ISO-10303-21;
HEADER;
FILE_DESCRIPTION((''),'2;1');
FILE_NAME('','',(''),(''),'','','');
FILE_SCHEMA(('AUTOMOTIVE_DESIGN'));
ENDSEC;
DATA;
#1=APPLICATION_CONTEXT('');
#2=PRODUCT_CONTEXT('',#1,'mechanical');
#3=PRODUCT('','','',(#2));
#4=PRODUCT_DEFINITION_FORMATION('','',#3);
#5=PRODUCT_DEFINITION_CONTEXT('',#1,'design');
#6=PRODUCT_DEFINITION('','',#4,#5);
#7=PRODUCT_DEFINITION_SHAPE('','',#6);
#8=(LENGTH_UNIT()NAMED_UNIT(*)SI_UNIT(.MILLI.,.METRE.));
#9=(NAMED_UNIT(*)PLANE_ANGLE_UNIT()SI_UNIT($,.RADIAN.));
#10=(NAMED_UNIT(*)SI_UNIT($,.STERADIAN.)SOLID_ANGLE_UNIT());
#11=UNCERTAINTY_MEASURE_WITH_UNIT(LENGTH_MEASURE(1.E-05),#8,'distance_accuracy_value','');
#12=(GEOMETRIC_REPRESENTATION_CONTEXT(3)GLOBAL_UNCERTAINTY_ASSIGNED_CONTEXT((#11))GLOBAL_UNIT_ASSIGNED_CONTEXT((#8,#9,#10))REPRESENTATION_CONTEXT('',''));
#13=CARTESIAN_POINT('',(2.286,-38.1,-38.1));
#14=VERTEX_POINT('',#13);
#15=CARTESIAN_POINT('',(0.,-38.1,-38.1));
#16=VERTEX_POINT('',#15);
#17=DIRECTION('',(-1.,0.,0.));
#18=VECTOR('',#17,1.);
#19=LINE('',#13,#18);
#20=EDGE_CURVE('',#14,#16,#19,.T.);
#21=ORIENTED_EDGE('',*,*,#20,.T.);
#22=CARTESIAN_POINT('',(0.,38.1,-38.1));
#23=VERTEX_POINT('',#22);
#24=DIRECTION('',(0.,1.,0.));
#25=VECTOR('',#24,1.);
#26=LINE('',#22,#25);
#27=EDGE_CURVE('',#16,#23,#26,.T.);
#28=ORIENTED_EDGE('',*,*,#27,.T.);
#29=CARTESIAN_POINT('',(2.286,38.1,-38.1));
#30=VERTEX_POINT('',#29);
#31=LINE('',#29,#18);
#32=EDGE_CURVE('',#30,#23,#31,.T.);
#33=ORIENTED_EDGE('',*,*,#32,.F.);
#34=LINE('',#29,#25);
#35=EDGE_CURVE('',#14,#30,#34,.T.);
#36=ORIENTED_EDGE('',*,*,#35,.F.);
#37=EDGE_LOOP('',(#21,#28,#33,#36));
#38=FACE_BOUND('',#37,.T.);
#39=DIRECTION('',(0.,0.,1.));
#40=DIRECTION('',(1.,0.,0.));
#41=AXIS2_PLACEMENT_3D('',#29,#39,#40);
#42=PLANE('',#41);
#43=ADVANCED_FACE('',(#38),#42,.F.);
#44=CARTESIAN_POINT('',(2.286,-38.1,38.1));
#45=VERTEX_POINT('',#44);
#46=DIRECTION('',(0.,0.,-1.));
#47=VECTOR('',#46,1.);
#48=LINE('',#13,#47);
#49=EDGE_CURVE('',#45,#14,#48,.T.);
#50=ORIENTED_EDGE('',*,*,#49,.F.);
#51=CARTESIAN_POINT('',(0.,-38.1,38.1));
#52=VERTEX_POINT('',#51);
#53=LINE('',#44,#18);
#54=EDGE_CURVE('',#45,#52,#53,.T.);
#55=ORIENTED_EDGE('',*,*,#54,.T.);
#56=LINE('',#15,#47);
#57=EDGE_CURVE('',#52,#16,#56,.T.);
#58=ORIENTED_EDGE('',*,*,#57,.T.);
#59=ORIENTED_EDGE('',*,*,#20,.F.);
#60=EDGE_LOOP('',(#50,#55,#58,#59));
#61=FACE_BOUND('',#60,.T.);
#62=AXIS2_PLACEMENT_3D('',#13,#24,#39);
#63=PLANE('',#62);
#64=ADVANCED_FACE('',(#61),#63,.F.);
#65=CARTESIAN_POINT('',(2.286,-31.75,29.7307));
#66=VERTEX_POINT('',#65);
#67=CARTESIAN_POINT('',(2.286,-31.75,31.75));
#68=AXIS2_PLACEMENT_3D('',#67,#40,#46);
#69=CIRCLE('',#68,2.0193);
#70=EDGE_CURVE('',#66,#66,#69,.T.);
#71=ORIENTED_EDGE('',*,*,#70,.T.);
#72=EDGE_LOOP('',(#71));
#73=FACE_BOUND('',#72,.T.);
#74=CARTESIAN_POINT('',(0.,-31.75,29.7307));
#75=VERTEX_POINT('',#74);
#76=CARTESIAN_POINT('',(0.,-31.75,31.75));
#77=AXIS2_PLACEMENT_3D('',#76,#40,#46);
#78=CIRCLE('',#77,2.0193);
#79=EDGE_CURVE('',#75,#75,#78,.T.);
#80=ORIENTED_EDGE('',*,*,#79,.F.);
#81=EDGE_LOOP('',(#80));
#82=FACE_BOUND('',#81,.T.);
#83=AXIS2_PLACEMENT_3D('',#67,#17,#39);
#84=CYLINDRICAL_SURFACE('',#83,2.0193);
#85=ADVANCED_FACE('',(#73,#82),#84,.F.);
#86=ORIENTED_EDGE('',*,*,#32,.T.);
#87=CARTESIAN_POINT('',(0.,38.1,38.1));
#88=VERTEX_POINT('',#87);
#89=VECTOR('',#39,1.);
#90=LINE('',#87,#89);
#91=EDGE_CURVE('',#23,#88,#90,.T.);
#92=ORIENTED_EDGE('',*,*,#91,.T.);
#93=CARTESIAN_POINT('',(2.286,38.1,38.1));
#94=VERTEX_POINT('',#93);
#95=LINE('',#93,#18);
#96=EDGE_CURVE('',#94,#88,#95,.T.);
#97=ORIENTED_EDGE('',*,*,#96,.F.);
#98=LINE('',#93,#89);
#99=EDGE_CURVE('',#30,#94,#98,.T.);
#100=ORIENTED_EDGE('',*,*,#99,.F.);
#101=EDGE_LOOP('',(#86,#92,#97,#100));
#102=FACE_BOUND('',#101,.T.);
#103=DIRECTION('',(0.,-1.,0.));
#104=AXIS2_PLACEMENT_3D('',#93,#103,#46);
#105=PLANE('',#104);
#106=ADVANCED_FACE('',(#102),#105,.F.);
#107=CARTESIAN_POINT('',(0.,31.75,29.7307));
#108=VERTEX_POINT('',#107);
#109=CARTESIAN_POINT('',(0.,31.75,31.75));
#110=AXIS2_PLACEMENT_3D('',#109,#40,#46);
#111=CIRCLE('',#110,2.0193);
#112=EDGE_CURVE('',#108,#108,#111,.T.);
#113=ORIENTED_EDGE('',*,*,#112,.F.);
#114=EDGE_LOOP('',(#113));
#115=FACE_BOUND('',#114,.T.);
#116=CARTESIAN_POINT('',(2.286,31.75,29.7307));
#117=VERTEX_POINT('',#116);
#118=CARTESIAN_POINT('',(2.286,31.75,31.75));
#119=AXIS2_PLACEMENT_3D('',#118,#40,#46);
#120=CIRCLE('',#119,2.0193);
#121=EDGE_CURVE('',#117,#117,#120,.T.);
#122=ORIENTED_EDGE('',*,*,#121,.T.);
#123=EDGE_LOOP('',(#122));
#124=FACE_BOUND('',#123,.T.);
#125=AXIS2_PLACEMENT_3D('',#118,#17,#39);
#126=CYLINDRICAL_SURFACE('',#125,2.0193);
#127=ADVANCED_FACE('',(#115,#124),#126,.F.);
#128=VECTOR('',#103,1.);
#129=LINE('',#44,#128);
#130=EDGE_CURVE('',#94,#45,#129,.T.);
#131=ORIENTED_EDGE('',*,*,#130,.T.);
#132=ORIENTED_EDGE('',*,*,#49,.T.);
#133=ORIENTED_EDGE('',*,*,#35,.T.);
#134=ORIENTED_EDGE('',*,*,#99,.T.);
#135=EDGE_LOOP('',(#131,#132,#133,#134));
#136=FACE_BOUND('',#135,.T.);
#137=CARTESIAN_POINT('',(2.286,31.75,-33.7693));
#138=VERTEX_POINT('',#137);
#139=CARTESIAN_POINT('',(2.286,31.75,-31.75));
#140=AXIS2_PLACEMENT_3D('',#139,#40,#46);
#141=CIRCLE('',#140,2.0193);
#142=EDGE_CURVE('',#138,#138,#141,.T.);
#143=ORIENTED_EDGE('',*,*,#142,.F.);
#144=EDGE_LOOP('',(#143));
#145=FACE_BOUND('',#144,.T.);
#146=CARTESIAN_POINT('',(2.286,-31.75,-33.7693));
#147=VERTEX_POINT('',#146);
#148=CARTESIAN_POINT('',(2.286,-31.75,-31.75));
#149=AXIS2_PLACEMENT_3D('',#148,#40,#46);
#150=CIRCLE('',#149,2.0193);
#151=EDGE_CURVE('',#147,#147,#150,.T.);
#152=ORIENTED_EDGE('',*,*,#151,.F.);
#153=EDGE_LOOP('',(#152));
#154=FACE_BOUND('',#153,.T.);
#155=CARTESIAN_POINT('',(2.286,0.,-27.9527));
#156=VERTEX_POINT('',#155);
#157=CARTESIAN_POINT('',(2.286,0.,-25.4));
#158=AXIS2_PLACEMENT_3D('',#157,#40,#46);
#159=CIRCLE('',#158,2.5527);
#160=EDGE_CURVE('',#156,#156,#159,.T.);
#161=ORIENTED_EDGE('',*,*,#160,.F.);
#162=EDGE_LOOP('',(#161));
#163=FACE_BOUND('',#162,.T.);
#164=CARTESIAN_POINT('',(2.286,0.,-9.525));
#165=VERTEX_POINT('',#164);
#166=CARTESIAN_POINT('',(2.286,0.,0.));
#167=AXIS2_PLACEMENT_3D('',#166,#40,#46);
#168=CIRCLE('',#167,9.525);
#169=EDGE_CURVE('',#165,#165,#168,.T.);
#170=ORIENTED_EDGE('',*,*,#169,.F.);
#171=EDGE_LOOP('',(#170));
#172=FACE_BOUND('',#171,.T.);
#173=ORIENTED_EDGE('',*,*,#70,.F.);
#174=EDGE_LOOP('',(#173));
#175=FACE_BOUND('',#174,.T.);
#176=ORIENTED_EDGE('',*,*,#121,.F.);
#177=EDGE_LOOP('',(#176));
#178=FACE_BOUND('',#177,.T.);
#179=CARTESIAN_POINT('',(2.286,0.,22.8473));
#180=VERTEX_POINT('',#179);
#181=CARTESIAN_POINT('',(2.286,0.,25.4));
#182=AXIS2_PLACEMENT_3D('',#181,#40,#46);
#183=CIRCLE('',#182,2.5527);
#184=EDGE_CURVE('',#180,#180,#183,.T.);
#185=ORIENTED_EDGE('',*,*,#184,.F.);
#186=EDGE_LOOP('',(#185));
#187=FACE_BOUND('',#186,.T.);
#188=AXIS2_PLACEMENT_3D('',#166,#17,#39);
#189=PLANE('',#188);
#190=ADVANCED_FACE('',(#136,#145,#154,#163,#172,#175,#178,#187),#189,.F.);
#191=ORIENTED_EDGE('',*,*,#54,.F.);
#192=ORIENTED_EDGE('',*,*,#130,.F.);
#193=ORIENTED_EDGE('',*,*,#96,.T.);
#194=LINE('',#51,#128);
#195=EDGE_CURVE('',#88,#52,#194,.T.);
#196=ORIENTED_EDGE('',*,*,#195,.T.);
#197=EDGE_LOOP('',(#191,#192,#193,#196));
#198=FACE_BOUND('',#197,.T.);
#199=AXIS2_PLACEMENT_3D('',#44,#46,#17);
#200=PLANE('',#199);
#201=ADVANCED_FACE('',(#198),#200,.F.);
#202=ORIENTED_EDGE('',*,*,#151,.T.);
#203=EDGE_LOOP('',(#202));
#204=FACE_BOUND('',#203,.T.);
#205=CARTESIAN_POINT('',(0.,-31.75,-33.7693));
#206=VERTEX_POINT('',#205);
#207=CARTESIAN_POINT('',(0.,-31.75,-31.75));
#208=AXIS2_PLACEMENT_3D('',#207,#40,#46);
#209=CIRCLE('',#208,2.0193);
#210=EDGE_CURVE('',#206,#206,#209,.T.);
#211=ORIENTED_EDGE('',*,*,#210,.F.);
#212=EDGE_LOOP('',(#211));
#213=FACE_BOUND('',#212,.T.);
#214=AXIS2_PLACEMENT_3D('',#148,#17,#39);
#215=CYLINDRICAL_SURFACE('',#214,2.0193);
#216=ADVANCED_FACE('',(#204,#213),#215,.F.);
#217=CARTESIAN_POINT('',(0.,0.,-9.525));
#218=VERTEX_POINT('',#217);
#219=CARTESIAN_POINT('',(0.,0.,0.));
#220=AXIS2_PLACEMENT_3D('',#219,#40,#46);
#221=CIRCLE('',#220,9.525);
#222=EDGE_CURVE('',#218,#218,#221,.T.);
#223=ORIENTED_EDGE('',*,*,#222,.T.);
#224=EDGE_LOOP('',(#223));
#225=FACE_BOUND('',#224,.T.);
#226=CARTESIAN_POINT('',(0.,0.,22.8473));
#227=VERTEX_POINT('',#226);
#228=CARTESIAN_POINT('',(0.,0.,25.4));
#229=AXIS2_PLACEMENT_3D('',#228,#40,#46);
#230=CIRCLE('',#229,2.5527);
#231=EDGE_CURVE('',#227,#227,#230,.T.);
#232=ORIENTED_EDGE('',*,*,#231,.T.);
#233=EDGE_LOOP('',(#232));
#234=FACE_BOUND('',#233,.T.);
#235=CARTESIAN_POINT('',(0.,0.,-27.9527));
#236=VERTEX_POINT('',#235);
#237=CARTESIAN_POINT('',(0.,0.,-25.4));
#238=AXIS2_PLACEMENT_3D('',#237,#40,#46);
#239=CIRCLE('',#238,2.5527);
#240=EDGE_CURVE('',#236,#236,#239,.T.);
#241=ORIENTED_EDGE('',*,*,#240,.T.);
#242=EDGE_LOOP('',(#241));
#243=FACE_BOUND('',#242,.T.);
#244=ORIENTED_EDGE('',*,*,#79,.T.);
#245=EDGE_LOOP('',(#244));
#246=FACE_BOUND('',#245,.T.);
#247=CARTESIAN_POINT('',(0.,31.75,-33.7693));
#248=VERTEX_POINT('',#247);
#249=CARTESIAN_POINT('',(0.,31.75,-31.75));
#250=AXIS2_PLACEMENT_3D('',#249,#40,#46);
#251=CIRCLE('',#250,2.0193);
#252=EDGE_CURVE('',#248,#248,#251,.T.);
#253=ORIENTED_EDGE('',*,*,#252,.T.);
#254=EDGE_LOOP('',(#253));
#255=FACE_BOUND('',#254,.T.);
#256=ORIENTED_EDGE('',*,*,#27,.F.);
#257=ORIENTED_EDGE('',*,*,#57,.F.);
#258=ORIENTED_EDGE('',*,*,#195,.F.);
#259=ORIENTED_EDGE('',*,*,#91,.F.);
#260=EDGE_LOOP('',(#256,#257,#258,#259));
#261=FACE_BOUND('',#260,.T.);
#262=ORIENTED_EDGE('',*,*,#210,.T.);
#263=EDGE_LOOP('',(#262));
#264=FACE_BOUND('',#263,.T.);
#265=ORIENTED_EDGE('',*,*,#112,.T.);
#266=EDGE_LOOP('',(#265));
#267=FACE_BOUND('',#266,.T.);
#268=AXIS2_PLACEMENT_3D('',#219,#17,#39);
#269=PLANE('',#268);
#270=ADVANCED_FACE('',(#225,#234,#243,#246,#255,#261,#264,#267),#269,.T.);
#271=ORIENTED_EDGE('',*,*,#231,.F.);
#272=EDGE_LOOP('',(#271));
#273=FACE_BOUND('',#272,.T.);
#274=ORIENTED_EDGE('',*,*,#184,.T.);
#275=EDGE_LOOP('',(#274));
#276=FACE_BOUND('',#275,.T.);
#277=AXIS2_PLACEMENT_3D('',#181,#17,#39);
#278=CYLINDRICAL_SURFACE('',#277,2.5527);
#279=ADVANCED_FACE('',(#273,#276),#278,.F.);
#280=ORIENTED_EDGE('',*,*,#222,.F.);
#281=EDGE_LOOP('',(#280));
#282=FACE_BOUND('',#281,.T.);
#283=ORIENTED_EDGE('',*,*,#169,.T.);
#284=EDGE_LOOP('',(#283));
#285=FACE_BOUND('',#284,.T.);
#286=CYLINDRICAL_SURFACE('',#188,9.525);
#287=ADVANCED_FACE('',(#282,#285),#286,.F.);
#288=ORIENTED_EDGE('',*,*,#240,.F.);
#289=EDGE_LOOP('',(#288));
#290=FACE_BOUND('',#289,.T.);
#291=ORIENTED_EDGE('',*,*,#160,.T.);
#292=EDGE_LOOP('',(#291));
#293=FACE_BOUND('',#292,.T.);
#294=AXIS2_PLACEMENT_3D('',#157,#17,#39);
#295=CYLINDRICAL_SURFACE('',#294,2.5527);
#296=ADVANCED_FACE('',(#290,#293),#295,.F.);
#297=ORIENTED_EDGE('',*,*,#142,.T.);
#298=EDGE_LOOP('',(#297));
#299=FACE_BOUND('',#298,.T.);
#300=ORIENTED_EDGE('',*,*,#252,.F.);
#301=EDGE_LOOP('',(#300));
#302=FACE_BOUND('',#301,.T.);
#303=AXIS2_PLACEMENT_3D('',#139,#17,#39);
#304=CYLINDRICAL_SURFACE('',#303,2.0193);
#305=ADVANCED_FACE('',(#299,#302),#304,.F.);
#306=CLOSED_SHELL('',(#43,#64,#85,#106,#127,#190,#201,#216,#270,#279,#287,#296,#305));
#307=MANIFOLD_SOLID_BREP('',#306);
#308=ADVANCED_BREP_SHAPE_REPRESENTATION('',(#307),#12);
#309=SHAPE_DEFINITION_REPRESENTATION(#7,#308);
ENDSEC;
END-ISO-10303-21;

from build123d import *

# Parameters (mm, degrees)
SKETCH1_W           = 76.2
SKETCH1_H           = 76.2
SKETCH1_R           = 2.5527
SKETCH1_R_2         = 2.0193
SKETCH1_R_3         = 9.525
BOSS_EXTRUDE1_DEPTH = 2.286


with BuildPart() as part:
    # Sketch1 → Boss-Extrude1 (new body)
    with BuildSketch(Plane(origin=(0, 0, 0), x_dir=(0, 0, -1), z_dir=(1, 0, 0))):
        Rectangle(SKETCH1_W, SKETCH1_H)
        with Locations((-25.4, 0)):
            Circle(SKETCH1_R, mode=Mode.SUBTRACT)
        with Locations((-31.75, 31.75)):
            Circle(SKETCH1_R_2, mode=Mode.SUBTRACT)
        Circle(SKETCH1_R_3, mode=Mode.SUBTRACT)
        with Locations((25.4, 0)):
            Circle(SKETCH1_R, mode=Mode.SUBTRACT)
        with Locations((31.75, 31.75)):
            Circle(SKETCH1_R_2, mode=Mode.SUBTRACT)
        with Locations((31.75, -31.75)):
            Circle(SKETCH1_R_2, mode=Mode.SUBTRACT)
        with Locations((-31.75, -31.75)):
            Circle(SKETCH1_R_2, mode=Mode.SUBTRACT)
    extrude(amount=BOSS_EXTRUDE1_DEPTH)


solid = part.part
